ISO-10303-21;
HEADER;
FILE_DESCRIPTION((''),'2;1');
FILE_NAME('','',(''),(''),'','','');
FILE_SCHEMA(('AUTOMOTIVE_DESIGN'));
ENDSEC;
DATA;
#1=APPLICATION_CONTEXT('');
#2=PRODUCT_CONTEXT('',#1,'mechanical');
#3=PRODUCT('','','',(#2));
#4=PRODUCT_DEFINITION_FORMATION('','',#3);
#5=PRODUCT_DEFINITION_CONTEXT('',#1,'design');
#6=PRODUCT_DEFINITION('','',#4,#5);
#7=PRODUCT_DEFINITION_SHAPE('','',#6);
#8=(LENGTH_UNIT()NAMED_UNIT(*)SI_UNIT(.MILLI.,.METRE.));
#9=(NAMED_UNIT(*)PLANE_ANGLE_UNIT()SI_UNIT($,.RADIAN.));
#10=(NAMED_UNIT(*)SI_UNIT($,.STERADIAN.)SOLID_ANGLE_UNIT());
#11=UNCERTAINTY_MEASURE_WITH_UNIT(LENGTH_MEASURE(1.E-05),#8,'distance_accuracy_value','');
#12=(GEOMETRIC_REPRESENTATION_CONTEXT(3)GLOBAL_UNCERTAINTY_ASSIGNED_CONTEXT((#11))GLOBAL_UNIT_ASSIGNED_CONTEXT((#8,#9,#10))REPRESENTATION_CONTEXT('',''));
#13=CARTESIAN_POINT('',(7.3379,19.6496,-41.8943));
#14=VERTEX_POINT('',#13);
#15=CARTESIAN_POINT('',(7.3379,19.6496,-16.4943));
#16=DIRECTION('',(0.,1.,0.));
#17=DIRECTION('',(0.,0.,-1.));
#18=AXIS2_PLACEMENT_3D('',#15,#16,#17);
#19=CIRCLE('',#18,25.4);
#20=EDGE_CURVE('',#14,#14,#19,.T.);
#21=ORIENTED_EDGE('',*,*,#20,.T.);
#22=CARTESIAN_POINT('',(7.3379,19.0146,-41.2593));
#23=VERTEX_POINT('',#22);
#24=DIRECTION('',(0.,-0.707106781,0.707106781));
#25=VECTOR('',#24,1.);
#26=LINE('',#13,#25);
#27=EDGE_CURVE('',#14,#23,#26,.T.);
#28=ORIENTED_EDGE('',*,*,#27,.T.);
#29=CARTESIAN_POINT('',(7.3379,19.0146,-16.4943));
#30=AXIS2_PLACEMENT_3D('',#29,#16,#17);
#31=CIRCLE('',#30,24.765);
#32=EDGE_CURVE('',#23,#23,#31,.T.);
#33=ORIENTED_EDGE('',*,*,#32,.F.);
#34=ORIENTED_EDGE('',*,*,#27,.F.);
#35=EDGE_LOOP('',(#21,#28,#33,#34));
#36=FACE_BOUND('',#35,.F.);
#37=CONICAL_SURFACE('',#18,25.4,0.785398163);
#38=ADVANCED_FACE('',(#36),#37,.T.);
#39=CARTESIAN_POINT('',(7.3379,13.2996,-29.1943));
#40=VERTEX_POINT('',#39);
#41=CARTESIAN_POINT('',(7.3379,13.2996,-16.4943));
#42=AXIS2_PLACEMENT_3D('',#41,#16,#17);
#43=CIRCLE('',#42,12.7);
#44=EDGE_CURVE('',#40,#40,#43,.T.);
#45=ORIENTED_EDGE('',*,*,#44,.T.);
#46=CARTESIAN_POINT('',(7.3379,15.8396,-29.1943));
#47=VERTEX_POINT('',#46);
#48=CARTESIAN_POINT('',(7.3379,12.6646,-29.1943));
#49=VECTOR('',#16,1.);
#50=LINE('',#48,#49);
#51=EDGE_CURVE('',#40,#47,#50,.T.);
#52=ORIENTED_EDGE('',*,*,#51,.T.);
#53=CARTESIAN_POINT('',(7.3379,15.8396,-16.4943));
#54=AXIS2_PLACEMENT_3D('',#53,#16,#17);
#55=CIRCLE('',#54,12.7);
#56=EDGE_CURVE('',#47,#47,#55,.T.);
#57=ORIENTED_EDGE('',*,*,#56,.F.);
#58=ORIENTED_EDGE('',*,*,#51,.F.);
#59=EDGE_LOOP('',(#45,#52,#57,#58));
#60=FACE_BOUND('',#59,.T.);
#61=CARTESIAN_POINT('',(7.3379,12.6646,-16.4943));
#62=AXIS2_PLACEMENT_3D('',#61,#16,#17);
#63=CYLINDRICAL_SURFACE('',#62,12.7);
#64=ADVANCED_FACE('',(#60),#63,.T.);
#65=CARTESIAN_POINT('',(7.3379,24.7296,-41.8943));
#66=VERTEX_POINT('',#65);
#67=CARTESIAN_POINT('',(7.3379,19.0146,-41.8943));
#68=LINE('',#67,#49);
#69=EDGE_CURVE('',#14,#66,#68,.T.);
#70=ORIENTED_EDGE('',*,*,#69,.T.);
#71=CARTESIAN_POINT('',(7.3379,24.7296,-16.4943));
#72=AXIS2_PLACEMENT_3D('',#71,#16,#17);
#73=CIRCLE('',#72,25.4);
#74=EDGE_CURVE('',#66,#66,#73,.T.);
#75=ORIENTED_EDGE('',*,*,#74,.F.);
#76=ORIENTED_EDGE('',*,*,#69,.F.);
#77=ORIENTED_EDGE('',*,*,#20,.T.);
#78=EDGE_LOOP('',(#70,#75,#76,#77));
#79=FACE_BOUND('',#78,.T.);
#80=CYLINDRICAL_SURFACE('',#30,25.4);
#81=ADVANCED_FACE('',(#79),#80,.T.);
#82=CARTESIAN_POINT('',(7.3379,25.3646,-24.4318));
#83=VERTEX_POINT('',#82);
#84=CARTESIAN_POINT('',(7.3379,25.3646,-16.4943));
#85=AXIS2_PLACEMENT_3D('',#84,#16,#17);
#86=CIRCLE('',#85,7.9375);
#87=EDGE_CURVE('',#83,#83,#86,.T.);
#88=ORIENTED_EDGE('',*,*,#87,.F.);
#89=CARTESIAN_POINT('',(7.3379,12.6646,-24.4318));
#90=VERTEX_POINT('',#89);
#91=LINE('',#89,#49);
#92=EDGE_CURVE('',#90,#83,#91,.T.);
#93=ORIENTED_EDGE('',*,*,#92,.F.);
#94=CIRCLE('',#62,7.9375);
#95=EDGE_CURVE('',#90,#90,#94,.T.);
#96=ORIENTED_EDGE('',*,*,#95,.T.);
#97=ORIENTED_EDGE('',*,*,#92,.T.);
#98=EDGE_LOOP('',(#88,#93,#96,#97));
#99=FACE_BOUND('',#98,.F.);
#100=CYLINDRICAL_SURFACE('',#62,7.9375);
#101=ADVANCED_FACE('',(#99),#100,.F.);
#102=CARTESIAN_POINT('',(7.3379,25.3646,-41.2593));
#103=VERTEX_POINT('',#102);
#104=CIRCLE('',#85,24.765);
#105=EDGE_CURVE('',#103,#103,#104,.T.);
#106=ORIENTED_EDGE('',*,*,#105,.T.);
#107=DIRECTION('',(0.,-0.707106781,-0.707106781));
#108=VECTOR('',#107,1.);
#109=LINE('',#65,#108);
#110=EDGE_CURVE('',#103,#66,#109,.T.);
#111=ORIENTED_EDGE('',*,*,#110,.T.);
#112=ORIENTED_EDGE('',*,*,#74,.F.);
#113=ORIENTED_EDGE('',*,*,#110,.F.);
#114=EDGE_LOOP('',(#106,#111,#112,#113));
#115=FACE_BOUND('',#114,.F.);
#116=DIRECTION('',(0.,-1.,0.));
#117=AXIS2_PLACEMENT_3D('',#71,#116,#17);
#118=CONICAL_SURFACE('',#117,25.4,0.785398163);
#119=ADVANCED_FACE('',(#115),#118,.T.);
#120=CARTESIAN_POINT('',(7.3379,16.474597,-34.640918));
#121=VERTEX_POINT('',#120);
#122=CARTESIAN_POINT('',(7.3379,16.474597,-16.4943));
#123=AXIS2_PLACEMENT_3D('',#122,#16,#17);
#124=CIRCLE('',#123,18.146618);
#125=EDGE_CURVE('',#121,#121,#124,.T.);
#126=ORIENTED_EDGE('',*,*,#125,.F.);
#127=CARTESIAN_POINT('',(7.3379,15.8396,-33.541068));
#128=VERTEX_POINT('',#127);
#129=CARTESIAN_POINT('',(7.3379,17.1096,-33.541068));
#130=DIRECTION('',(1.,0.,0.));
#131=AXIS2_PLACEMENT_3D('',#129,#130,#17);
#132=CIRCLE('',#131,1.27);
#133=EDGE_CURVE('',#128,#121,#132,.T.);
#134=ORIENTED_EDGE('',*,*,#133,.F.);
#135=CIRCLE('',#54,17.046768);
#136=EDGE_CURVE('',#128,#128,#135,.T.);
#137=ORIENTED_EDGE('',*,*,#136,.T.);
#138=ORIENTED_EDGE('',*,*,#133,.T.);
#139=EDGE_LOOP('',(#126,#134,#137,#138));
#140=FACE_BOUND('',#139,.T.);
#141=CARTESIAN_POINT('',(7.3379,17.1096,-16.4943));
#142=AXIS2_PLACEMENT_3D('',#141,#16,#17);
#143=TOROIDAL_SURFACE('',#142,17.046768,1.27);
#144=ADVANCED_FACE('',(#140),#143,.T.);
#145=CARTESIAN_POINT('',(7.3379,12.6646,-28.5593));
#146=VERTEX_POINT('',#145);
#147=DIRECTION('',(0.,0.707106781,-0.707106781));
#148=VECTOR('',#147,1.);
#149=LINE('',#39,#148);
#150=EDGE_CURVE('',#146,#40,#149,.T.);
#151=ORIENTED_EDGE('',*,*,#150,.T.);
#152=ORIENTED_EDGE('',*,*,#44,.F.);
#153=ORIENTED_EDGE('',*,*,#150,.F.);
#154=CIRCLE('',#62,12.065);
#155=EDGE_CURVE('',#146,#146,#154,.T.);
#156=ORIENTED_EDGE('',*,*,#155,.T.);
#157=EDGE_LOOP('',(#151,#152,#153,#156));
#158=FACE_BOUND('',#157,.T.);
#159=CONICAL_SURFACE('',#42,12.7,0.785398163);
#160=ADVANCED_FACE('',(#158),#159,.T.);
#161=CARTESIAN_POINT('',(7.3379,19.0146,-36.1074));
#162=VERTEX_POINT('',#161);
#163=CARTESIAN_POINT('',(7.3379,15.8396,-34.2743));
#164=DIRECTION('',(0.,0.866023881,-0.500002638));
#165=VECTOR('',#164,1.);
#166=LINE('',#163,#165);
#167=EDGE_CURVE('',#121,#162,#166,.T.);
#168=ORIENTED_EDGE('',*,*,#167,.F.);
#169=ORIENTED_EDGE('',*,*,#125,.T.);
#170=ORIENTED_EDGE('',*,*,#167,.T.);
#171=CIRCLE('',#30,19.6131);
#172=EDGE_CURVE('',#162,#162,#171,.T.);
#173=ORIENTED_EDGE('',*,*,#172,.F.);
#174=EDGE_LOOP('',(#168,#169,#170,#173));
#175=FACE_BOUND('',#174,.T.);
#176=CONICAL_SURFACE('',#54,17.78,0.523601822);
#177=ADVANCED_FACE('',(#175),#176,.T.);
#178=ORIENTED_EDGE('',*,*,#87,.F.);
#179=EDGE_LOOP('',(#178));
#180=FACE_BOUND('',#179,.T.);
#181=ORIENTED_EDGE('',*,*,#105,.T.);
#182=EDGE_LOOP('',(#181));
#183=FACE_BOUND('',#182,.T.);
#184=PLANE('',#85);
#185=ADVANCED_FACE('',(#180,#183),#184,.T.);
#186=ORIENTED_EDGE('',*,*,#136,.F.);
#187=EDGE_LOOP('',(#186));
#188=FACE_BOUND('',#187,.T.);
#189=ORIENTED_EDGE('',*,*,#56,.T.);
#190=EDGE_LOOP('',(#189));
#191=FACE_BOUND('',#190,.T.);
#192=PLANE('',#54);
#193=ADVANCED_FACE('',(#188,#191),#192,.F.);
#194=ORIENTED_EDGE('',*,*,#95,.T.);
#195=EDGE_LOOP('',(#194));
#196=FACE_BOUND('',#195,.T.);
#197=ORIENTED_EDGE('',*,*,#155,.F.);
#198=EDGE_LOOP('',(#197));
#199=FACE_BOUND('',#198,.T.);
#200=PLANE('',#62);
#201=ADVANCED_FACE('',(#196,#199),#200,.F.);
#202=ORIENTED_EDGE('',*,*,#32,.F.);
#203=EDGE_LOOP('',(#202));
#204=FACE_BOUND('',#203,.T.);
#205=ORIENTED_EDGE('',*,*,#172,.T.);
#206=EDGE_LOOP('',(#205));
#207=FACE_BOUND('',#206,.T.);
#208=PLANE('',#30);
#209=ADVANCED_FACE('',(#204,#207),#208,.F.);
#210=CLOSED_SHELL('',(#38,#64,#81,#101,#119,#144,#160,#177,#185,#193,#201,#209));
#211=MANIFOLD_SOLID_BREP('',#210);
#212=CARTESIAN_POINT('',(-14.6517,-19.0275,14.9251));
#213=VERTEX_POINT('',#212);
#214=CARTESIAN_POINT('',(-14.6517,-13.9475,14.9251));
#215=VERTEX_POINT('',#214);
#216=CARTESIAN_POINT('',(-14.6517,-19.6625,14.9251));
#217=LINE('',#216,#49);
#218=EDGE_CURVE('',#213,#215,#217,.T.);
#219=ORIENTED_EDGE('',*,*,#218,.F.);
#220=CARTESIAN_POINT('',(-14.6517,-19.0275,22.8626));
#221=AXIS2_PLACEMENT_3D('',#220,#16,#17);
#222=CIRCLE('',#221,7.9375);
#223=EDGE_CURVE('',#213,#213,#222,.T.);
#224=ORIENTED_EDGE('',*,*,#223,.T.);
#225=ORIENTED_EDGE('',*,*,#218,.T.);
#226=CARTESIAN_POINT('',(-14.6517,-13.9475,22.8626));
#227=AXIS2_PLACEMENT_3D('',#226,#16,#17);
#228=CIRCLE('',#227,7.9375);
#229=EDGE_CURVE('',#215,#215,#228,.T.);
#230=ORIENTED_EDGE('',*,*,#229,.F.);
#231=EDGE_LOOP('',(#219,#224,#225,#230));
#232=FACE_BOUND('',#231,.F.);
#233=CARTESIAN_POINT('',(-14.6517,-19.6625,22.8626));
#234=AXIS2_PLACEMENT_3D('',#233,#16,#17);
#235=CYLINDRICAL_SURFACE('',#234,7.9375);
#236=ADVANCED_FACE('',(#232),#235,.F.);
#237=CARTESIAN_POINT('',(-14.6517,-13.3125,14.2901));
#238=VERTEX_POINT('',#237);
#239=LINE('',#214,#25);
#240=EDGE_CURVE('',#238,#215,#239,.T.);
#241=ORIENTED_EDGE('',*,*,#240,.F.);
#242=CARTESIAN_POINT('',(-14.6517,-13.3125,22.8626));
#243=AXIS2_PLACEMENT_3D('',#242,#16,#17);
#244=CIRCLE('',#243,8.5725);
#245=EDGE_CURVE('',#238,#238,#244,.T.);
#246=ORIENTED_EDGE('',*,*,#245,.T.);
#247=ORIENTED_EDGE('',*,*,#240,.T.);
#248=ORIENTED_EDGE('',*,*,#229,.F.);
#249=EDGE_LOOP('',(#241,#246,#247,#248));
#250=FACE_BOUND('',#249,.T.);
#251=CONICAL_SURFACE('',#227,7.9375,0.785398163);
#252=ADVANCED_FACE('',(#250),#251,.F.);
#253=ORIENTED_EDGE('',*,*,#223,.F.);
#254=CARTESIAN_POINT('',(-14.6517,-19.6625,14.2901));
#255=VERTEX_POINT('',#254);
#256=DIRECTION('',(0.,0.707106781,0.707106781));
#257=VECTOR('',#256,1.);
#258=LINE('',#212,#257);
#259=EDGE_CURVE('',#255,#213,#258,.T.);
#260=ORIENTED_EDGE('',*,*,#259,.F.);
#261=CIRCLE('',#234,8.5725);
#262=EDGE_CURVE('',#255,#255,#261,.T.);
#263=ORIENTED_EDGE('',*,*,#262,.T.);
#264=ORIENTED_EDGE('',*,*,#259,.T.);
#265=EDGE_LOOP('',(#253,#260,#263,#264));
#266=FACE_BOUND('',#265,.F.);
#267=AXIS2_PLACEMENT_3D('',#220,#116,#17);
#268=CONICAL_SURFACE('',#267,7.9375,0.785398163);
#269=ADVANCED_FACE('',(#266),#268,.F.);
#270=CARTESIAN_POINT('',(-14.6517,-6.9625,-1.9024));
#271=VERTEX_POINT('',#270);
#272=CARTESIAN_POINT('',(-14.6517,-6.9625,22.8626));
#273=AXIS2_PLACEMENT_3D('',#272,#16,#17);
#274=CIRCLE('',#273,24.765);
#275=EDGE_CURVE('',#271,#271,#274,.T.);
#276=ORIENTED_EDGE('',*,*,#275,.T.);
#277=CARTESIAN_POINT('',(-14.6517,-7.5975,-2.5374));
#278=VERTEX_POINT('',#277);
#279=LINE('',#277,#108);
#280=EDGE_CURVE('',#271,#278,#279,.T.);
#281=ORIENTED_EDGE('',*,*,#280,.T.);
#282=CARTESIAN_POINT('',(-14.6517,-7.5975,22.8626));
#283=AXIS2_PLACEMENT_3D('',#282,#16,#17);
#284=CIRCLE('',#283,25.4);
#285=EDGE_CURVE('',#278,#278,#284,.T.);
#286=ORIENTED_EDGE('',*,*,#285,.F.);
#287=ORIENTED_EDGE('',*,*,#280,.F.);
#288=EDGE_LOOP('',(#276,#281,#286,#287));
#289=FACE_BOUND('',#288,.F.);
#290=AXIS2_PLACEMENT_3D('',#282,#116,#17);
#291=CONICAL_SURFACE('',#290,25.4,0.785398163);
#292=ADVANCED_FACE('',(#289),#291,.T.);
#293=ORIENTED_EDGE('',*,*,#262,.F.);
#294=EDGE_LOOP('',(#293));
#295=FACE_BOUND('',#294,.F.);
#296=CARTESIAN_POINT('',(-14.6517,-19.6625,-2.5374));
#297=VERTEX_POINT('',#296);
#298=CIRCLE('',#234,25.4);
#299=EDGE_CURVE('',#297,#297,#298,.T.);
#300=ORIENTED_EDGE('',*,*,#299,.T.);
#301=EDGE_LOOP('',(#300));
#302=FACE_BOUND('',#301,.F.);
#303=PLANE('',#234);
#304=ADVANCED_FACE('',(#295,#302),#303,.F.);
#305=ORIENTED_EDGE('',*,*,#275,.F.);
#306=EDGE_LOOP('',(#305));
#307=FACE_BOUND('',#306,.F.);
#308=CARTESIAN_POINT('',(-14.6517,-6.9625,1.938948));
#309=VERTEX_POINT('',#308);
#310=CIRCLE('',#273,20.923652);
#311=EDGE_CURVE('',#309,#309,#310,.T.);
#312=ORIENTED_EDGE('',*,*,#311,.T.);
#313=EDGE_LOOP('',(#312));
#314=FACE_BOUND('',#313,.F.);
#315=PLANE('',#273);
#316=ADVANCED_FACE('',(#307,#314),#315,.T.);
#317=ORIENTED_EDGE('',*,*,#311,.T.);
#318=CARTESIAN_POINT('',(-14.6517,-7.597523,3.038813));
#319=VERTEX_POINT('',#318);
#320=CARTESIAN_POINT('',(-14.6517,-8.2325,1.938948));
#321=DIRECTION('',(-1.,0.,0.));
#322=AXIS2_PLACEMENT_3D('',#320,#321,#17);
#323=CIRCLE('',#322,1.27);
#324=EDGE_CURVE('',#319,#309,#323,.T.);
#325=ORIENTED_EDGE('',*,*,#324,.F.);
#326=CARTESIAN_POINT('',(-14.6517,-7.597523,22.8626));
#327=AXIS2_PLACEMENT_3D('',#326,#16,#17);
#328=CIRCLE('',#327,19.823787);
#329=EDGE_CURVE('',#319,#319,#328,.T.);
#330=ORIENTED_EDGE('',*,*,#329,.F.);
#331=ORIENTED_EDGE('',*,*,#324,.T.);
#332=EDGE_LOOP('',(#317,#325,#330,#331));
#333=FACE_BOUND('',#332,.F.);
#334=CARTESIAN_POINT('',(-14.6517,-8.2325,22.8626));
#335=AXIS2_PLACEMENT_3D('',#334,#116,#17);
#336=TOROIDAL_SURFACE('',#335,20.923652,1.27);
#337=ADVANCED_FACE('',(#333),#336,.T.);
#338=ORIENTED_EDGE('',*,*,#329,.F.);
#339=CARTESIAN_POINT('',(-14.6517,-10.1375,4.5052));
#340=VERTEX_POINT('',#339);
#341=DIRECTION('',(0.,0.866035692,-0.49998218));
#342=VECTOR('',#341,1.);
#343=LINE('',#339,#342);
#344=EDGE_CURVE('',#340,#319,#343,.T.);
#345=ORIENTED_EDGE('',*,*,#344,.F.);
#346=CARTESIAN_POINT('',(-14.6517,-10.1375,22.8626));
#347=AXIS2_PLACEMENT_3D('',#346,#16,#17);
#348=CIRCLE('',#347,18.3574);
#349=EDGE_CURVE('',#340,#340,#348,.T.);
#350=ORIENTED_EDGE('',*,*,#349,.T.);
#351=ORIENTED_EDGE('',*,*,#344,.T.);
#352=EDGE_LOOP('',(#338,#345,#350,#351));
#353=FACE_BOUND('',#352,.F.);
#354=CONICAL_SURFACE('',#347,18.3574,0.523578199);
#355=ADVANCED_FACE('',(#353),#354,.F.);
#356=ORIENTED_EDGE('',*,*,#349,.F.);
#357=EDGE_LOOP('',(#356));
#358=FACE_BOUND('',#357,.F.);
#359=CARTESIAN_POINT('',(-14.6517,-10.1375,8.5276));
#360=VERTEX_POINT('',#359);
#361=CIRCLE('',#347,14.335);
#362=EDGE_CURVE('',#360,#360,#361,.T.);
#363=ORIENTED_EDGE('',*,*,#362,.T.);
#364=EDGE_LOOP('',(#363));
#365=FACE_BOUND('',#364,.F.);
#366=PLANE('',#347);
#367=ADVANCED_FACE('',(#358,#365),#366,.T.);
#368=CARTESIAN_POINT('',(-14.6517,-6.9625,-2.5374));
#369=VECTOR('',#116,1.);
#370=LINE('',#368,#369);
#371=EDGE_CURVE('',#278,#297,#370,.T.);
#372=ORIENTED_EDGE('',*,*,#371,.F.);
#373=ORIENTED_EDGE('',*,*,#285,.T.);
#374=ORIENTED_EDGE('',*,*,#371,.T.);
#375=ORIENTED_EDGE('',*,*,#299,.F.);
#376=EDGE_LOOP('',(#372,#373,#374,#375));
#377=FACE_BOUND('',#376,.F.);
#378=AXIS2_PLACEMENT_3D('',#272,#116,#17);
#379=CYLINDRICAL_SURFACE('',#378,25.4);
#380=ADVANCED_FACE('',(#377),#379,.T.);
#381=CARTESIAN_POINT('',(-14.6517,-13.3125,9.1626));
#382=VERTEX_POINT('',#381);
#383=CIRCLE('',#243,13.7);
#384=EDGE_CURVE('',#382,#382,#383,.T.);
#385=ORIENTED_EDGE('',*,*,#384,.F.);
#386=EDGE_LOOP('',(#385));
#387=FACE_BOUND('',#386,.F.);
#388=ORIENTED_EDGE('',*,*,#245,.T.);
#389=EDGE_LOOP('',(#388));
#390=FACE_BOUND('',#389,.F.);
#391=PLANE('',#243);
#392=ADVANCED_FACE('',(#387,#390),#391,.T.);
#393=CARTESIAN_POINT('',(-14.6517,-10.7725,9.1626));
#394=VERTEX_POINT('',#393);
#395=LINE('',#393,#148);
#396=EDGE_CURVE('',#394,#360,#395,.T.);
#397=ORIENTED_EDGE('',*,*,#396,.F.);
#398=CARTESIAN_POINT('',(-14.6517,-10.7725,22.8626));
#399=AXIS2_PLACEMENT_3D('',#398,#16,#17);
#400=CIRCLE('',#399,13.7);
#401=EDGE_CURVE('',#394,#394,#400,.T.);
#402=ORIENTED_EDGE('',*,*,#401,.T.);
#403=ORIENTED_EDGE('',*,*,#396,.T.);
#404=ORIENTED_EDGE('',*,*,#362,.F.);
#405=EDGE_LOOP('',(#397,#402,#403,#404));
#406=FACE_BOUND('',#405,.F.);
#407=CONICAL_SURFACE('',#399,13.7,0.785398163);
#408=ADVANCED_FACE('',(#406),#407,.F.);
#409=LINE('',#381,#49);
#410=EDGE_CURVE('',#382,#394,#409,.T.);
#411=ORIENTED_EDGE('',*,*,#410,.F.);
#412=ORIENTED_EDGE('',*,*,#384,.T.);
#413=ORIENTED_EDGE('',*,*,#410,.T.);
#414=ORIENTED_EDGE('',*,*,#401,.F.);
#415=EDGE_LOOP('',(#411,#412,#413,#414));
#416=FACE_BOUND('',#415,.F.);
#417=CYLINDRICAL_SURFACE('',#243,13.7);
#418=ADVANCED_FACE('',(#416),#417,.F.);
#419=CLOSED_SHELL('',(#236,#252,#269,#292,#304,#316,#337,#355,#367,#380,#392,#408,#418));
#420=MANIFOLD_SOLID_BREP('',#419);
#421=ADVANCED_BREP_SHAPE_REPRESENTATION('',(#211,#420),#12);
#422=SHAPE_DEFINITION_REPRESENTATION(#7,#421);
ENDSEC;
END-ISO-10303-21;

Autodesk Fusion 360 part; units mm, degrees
sketch "Sketch1" plane through (0, 0, 0) normal (1, 0, 0) x (0, 0, -1)
  line L0 (7.9375, 0) -> (12.7, 0)
  line L1 (12.7, 0) -> (12.7, 3.175)
  line L2 (12.7, 3.175) -> (17.78, 3.175)
  line L3 (17.78, 3.175) -> (19.6131, 6.35)
  line L4 (19.6131, 6.35) -> (25.4, 6.35)
  line L5 (25.4, 6.35) -> (25.4, 12.7)
  line L6 (25.4, 12.7) -> (7.9375, 12.7)
  line L7 (7.9375, 0) -> (7.9375, 12.7)
  line L8 (7.9375, -1) -> (13.7, -1)
  line L9 (13.7, -1) -> (13.7, 2.175)
  line L10 (13.7, 2.175) -> (18.3574, 2.175)
  line L11 (18.3574, 2.175) -> (20.1904, 5.35)
  line L12 (20.1904, 5.35) -> (25.4, 5.35)
  line L13 (25.4, 5.35) -> (25.4, -7.35)
  line L14 (25.4, -7.35) -> (7.9375, -7.35)
  line L15 (7.9375, -7.35) -> (7.9375, -1)
  dimension "d2" = 3.175
  dimension "d3" = 5.08
  dimension "d4" = 60
  dimension "d5" = 6.35
  dimension "d9" = 12.7
  dimension "d10" = 7.9375
  dimension "d11" = 4.7625
  dimension "d12" = 17.4625
  dimension "d13" = 1
  dimension "d14" = 6.35
  dimension "d15" = 5.7625
  dimension "d16" = 3.175
  dimension "d17" = 4.6573
  dimension "d18" = 5.2096
  dimension "d19" = 12.7
  dimension "d20" = 3.175
revolve "Revolve1" add sketch "Sketch1" angle 360 about axis through (0, 1.75, 0) along (0, 1, 0) makes body 1 at (1.6562, 12.7, -19.455) makes body 2 at (2.529, 1.1167, -25.2738)
copy_body "Body->Comp1" bodies 2 removing the originals makes body 3 in component "Die"
copy_body "Body->Comp2" bodies 1 removing the originals makes body 4 in component "Punch"
chamfer "Chamfer1" distance 0.635 angle 45 2 edges at (-23.6811, 6.35, -9.185) (-23.6811, 12.7, -9.185) on bodies 4 in component "Punch"
chamfer "Chamfer2" distance 0.635 angle 45 1 edges at (-11.8406, 0, -4.5925) on bodies 4 in component "Punch"
chamfer "Chamfer1'" distance 0.635 angle 45 4 edges at (-23.6811, 5.35, -9.185) (-12.7729, 2.175, -4.9541) (-7.4003, -1, -2.8703) (-7.4003, -7.35, -2.8703) on bodies 3 in component "Die"
fillet "Fillet1" radius 1.27 1 edges at (-18.8241, 5.35, -7.3012) on bodies 3 in component "Die"
fillet "Fillet1'" radius 1.27 1 edges at (-16.5768, 3.175, -6.4295) on bodies 4 in component "Punch"
component "Die" placed x (1, 0, 0) y (0, 1, 0) z (0, 0, 1) at (-14.6517, -12.3125, 22.8626)
component "Punch" placed x (1, 0, 0) y (0, 1, 0) z (0, 0, 1) at (7.3379, 12.6646, -16.4943)
